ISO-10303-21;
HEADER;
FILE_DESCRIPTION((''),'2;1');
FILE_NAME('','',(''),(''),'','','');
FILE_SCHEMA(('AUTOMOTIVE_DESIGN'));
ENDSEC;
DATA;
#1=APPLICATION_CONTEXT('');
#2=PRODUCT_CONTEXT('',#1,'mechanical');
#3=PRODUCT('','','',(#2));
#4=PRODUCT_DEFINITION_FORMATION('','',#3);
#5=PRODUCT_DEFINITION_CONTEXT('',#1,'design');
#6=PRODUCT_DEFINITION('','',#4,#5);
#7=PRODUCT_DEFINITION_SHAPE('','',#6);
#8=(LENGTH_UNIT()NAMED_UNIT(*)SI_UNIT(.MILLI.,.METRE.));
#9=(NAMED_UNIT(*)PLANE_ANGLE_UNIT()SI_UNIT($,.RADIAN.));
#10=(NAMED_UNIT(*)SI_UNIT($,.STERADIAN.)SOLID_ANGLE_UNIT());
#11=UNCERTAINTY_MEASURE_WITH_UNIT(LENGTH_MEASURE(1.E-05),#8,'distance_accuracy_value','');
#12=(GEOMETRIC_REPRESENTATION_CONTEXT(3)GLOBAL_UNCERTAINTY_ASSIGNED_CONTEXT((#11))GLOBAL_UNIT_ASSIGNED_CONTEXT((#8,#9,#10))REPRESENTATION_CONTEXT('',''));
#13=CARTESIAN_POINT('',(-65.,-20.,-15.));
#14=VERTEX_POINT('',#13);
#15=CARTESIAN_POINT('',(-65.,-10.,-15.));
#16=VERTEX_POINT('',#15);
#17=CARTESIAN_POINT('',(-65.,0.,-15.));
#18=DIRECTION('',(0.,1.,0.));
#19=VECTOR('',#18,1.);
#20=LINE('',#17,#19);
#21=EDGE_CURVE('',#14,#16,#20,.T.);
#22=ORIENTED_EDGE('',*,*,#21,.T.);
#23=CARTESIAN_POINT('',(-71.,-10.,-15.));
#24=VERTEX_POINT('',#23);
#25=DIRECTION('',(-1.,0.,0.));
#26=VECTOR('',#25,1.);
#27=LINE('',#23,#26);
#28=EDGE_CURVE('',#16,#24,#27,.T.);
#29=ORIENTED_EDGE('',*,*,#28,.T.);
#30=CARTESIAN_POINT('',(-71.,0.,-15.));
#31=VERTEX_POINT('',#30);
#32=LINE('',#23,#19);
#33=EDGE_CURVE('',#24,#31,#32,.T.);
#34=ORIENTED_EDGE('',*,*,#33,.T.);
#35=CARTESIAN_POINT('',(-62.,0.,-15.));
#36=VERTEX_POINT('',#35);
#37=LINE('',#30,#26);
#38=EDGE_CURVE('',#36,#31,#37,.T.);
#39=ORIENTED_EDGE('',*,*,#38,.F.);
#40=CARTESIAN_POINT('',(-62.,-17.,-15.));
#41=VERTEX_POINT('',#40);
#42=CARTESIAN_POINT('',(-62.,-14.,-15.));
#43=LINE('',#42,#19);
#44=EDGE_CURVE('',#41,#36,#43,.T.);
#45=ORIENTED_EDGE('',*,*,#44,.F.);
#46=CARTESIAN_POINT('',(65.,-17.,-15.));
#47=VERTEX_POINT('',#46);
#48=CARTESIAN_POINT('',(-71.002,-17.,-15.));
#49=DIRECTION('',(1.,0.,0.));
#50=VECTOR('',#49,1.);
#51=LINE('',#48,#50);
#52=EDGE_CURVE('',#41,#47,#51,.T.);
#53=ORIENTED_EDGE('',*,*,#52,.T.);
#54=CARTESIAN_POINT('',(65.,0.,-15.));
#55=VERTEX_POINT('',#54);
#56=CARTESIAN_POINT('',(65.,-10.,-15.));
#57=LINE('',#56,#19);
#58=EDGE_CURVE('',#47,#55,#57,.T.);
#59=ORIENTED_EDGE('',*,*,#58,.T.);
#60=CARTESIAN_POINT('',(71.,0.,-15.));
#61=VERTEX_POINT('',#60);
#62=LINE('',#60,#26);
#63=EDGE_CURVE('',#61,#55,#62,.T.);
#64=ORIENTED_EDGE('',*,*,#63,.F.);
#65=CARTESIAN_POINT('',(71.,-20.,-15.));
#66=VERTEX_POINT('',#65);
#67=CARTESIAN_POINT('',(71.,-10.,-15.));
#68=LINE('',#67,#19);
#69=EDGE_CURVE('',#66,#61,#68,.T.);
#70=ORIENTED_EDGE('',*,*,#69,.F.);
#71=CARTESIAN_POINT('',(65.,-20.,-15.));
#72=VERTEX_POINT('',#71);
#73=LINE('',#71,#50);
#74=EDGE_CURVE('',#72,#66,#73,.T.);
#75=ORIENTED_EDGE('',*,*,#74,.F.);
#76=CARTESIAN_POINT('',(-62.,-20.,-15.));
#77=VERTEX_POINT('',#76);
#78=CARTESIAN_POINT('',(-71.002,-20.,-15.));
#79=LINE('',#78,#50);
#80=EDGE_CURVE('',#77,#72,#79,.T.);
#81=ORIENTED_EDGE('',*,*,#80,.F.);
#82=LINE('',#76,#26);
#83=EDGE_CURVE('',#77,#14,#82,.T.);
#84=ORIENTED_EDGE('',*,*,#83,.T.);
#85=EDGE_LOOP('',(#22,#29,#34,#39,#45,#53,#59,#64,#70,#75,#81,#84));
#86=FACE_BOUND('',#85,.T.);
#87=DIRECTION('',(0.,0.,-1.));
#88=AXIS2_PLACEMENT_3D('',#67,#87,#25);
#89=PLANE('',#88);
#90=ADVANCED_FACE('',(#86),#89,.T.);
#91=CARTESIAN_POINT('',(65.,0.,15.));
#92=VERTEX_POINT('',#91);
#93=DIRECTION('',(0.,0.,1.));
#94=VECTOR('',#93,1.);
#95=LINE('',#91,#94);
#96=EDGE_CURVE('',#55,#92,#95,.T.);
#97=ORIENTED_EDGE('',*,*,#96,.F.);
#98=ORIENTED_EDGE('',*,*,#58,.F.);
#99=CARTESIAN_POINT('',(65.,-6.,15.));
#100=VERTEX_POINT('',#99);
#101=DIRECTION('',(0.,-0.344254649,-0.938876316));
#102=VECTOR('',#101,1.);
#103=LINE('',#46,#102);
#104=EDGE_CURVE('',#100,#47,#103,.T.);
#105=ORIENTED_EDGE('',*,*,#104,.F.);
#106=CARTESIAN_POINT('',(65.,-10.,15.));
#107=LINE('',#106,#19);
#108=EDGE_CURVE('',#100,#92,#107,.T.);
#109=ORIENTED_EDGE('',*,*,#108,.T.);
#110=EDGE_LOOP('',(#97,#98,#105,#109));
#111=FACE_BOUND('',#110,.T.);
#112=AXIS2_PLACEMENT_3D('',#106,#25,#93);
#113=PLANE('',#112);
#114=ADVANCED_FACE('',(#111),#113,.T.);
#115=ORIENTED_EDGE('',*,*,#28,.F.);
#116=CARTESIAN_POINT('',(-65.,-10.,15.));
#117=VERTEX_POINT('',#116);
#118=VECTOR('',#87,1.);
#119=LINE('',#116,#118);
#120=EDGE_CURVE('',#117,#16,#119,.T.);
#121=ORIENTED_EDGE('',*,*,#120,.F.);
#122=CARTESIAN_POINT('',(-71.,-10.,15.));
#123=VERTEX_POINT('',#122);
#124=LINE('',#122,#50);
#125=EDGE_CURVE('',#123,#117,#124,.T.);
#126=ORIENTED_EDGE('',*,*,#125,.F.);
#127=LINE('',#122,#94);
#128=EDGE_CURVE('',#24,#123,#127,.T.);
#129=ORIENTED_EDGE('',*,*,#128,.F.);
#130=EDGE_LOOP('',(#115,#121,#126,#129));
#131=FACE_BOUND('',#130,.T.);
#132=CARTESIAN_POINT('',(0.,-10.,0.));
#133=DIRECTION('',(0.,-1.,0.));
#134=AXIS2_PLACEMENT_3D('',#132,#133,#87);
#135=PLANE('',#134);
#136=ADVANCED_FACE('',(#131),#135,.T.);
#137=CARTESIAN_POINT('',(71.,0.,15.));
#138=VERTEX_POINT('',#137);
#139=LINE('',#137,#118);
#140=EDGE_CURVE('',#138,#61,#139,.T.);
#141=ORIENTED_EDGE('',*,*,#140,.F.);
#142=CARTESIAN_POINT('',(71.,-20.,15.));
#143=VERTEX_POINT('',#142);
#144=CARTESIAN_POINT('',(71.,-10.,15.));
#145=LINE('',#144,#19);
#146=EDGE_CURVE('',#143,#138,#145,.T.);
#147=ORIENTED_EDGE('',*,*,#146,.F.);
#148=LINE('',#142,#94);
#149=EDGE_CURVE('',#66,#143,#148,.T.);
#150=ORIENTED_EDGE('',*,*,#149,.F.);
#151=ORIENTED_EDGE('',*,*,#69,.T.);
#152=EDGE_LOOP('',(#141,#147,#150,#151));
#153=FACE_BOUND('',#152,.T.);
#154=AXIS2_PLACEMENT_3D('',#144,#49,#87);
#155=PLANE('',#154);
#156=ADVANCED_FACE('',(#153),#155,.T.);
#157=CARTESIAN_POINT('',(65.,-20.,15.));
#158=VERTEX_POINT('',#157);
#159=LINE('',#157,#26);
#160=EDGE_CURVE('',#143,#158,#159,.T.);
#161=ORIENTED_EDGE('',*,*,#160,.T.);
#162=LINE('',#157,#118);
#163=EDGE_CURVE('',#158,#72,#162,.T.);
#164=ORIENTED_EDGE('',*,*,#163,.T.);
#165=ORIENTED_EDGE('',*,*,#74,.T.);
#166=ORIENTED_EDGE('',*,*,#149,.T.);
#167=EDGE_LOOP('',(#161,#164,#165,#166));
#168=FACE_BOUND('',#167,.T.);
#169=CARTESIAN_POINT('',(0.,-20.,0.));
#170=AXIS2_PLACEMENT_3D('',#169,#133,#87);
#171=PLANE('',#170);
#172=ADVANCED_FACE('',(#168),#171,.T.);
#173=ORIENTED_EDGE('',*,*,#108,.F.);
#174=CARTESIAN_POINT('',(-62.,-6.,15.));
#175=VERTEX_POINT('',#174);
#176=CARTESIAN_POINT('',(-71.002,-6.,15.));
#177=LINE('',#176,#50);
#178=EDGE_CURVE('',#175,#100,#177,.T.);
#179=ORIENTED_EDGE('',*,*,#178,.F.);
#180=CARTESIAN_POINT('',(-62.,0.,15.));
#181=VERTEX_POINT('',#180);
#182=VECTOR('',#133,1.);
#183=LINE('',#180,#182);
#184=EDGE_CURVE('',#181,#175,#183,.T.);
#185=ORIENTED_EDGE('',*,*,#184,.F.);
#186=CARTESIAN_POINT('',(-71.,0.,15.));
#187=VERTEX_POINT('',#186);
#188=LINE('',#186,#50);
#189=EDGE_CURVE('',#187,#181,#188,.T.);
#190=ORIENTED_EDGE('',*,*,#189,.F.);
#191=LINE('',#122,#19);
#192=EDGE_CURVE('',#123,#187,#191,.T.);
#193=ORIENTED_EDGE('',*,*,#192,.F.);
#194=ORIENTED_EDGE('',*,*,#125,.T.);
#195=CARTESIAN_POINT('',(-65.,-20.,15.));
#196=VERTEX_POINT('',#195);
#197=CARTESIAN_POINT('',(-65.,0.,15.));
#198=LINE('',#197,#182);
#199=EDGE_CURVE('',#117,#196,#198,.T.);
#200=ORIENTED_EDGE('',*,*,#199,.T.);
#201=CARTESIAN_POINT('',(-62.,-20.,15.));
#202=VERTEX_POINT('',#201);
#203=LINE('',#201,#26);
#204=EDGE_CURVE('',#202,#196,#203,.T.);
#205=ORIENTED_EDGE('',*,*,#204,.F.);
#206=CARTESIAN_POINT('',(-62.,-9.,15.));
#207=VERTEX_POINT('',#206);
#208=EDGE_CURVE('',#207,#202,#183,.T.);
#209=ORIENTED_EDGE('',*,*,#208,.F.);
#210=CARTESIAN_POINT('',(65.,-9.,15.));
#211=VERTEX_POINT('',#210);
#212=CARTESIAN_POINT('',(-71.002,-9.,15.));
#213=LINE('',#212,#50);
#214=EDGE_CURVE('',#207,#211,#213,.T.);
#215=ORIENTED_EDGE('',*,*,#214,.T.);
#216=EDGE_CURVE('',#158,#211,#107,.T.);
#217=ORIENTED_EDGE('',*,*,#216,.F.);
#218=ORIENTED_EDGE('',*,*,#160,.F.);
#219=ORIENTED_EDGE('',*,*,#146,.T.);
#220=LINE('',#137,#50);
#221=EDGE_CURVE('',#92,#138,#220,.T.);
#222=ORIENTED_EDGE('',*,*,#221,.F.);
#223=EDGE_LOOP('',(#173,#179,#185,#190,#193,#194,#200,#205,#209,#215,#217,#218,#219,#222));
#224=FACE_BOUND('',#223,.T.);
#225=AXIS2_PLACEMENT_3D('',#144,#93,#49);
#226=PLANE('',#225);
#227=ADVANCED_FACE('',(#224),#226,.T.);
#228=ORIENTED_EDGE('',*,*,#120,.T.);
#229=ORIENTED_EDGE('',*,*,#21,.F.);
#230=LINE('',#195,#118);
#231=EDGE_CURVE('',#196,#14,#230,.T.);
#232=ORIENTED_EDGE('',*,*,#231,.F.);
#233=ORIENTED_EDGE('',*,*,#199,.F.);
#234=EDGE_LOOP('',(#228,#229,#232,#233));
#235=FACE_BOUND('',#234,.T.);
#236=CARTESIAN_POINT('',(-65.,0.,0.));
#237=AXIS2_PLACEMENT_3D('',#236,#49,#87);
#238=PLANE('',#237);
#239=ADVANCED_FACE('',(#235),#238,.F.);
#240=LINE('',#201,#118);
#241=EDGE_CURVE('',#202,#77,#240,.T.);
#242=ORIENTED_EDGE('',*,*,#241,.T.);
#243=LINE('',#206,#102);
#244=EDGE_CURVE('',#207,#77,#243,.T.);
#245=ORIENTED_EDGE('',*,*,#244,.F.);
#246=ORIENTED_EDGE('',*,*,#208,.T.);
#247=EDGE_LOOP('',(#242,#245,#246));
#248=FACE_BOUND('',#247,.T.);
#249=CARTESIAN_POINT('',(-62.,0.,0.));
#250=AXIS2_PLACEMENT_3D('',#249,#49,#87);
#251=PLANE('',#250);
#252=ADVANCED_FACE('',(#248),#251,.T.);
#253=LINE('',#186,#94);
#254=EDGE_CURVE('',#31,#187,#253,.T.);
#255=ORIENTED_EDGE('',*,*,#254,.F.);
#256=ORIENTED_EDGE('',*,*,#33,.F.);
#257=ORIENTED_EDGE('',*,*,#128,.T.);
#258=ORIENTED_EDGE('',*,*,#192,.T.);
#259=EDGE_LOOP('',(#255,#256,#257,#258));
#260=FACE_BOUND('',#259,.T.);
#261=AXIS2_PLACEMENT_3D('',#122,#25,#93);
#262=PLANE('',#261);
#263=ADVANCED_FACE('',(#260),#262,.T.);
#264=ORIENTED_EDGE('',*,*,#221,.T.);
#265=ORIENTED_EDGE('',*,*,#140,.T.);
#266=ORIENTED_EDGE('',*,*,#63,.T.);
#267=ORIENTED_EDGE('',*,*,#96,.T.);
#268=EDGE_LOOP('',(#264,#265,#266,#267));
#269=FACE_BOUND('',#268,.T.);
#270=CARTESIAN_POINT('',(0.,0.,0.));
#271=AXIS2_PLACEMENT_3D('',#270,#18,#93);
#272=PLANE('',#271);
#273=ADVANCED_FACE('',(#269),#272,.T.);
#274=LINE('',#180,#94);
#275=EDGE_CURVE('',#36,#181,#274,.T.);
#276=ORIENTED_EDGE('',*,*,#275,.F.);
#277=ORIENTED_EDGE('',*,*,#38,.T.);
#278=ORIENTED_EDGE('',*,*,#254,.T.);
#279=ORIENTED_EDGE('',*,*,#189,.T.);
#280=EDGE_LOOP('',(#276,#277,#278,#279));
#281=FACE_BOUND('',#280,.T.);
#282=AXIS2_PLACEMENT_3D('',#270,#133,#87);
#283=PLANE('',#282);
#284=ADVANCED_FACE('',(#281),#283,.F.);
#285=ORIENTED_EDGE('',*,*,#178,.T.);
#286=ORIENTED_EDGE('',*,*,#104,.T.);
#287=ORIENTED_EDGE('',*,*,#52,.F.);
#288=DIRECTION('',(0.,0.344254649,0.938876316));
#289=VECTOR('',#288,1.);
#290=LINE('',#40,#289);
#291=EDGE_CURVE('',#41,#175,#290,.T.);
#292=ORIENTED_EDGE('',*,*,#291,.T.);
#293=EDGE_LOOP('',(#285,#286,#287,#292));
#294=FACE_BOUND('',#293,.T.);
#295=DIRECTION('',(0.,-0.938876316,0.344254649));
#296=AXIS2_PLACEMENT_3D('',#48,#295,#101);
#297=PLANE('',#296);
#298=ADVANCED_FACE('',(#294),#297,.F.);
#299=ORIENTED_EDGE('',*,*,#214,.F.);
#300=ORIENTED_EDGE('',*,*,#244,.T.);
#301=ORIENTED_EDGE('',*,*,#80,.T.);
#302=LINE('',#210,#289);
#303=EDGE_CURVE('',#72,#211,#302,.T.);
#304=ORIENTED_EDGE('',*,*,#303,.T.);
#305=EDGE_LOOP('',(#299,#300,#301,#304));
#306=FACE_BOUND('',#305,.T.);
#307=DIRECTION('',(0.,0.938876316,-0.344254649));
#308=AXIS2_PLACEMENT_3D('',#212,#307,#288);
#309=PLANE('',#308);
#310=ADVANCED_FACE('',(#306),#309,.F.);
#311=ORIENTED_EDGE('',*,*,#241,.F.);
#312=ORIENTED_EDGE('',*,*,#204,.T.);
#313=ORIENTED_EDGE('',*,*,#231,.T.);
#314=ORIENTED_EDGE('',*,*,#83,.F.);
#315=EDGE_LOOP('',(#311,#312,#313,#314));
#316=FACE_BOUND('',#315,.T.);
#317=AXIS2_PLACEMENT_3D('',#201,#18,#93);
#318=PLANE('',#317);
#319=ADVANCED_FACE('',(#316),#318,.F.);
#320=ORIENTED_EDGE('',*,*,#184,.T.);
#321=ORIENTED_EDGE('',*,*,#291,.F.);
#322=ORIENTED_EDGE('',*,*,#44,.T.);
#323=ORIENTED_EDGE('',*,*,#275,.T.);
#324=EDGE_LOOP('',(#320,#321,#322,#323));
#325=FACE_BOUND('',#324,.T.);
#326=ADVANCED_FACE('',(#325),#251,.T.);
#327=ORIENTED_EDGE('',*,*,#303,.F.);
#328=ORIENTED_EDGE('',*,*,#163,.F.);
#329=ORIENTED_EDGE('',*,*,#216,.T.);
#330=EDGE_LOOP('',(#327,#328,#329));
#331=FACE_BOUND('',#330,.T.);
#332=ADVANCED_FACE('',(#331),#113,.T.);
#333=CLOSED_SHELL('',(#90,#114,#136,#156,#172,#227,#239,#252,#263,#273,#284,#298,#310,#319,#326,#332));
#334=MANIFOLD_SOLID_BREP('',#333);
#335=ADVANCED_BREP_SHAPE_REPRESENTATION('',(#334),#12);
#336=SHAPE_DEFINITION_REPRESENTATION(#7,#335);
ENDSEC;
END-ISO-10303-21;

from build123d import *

# Parameters (mm, degrees)
SKETCH_5_W        = 6
SKETCH_5_H        = 30
EXTRUDE_2_DEPTH   = 10
EXTRUDE_2_2_DEPTH = 10
SKETCH_6_W        = 6
SKETCH_6_H        = 30
EXTRUDE_3_DEPTH   = 10
EXTRUDE_4_DEPTH   = 3
EXTRUDE_5_DEPTH   = 127


with BuildPart() as part:
    # 스케치5 → 보스-돌출2 (new body)
    with BuildSketch(Plane(origin=(0, 0, 0), x_dir=(1, 0, 0), z_dir=(0, 1, 0))):
        with Locations((68, 0)):
            Rectangle(SKETCH_5_W, SKETCH_5_H)
    extrude(amount=-EXTRUDE_2_DEPTH)

    # 스케치6 → 보스-돌출3 (add)
    with BuildSketch(Plane.XZ.offset(10)):
        with Locations((68, 0)):
            Rectangle(SKETCH_6_W, SKETCH_6_H)
    extrude(amount=EXTRUDE_3_DEPTH)



with BuildPart() as body_2:
    # 스케치5 → Extrude 2 2 (new body)
    with BuildSketch(Plane(origin=(0, 0, 0), x_dir=(1, 0, 0), z_dir=(0, 1, 0))):
        with Locations((-68, 0)):
            Rectangle(SKETCH_5_W, SKETCH_5_H)
    extrude(amount=-EXTRUDE_2_2_DEPTH)

    # 스케치8 → 보스-돌출4 (add)
    with BuildSketch(Plane(origin=(-65, 0, 0), x_dir=(0, 0, -1), z_dir=(1, 0, 0))):
        Polygon((15, -14), (15, -20), (-15, -20), (-15, 0), (15, 0), align=None)
    extrude(amount=EXTRUDE_4_DEPTH)


with BuildPart() as part_1:
    add(part.part)

    add(body_2.part)  # 보스-돌출5 merges body 2
    # 스케치7 → 보스-돌출5 (add)
    with BuildSketch(Plane.ZY.offset(-65)):
        Polygon((-15, -17), (-15, -20), (15, -9), (15, -6), align=None)
    extrude(amount=EXTRUDE_5_DEPTH)


solid = part_1.part
